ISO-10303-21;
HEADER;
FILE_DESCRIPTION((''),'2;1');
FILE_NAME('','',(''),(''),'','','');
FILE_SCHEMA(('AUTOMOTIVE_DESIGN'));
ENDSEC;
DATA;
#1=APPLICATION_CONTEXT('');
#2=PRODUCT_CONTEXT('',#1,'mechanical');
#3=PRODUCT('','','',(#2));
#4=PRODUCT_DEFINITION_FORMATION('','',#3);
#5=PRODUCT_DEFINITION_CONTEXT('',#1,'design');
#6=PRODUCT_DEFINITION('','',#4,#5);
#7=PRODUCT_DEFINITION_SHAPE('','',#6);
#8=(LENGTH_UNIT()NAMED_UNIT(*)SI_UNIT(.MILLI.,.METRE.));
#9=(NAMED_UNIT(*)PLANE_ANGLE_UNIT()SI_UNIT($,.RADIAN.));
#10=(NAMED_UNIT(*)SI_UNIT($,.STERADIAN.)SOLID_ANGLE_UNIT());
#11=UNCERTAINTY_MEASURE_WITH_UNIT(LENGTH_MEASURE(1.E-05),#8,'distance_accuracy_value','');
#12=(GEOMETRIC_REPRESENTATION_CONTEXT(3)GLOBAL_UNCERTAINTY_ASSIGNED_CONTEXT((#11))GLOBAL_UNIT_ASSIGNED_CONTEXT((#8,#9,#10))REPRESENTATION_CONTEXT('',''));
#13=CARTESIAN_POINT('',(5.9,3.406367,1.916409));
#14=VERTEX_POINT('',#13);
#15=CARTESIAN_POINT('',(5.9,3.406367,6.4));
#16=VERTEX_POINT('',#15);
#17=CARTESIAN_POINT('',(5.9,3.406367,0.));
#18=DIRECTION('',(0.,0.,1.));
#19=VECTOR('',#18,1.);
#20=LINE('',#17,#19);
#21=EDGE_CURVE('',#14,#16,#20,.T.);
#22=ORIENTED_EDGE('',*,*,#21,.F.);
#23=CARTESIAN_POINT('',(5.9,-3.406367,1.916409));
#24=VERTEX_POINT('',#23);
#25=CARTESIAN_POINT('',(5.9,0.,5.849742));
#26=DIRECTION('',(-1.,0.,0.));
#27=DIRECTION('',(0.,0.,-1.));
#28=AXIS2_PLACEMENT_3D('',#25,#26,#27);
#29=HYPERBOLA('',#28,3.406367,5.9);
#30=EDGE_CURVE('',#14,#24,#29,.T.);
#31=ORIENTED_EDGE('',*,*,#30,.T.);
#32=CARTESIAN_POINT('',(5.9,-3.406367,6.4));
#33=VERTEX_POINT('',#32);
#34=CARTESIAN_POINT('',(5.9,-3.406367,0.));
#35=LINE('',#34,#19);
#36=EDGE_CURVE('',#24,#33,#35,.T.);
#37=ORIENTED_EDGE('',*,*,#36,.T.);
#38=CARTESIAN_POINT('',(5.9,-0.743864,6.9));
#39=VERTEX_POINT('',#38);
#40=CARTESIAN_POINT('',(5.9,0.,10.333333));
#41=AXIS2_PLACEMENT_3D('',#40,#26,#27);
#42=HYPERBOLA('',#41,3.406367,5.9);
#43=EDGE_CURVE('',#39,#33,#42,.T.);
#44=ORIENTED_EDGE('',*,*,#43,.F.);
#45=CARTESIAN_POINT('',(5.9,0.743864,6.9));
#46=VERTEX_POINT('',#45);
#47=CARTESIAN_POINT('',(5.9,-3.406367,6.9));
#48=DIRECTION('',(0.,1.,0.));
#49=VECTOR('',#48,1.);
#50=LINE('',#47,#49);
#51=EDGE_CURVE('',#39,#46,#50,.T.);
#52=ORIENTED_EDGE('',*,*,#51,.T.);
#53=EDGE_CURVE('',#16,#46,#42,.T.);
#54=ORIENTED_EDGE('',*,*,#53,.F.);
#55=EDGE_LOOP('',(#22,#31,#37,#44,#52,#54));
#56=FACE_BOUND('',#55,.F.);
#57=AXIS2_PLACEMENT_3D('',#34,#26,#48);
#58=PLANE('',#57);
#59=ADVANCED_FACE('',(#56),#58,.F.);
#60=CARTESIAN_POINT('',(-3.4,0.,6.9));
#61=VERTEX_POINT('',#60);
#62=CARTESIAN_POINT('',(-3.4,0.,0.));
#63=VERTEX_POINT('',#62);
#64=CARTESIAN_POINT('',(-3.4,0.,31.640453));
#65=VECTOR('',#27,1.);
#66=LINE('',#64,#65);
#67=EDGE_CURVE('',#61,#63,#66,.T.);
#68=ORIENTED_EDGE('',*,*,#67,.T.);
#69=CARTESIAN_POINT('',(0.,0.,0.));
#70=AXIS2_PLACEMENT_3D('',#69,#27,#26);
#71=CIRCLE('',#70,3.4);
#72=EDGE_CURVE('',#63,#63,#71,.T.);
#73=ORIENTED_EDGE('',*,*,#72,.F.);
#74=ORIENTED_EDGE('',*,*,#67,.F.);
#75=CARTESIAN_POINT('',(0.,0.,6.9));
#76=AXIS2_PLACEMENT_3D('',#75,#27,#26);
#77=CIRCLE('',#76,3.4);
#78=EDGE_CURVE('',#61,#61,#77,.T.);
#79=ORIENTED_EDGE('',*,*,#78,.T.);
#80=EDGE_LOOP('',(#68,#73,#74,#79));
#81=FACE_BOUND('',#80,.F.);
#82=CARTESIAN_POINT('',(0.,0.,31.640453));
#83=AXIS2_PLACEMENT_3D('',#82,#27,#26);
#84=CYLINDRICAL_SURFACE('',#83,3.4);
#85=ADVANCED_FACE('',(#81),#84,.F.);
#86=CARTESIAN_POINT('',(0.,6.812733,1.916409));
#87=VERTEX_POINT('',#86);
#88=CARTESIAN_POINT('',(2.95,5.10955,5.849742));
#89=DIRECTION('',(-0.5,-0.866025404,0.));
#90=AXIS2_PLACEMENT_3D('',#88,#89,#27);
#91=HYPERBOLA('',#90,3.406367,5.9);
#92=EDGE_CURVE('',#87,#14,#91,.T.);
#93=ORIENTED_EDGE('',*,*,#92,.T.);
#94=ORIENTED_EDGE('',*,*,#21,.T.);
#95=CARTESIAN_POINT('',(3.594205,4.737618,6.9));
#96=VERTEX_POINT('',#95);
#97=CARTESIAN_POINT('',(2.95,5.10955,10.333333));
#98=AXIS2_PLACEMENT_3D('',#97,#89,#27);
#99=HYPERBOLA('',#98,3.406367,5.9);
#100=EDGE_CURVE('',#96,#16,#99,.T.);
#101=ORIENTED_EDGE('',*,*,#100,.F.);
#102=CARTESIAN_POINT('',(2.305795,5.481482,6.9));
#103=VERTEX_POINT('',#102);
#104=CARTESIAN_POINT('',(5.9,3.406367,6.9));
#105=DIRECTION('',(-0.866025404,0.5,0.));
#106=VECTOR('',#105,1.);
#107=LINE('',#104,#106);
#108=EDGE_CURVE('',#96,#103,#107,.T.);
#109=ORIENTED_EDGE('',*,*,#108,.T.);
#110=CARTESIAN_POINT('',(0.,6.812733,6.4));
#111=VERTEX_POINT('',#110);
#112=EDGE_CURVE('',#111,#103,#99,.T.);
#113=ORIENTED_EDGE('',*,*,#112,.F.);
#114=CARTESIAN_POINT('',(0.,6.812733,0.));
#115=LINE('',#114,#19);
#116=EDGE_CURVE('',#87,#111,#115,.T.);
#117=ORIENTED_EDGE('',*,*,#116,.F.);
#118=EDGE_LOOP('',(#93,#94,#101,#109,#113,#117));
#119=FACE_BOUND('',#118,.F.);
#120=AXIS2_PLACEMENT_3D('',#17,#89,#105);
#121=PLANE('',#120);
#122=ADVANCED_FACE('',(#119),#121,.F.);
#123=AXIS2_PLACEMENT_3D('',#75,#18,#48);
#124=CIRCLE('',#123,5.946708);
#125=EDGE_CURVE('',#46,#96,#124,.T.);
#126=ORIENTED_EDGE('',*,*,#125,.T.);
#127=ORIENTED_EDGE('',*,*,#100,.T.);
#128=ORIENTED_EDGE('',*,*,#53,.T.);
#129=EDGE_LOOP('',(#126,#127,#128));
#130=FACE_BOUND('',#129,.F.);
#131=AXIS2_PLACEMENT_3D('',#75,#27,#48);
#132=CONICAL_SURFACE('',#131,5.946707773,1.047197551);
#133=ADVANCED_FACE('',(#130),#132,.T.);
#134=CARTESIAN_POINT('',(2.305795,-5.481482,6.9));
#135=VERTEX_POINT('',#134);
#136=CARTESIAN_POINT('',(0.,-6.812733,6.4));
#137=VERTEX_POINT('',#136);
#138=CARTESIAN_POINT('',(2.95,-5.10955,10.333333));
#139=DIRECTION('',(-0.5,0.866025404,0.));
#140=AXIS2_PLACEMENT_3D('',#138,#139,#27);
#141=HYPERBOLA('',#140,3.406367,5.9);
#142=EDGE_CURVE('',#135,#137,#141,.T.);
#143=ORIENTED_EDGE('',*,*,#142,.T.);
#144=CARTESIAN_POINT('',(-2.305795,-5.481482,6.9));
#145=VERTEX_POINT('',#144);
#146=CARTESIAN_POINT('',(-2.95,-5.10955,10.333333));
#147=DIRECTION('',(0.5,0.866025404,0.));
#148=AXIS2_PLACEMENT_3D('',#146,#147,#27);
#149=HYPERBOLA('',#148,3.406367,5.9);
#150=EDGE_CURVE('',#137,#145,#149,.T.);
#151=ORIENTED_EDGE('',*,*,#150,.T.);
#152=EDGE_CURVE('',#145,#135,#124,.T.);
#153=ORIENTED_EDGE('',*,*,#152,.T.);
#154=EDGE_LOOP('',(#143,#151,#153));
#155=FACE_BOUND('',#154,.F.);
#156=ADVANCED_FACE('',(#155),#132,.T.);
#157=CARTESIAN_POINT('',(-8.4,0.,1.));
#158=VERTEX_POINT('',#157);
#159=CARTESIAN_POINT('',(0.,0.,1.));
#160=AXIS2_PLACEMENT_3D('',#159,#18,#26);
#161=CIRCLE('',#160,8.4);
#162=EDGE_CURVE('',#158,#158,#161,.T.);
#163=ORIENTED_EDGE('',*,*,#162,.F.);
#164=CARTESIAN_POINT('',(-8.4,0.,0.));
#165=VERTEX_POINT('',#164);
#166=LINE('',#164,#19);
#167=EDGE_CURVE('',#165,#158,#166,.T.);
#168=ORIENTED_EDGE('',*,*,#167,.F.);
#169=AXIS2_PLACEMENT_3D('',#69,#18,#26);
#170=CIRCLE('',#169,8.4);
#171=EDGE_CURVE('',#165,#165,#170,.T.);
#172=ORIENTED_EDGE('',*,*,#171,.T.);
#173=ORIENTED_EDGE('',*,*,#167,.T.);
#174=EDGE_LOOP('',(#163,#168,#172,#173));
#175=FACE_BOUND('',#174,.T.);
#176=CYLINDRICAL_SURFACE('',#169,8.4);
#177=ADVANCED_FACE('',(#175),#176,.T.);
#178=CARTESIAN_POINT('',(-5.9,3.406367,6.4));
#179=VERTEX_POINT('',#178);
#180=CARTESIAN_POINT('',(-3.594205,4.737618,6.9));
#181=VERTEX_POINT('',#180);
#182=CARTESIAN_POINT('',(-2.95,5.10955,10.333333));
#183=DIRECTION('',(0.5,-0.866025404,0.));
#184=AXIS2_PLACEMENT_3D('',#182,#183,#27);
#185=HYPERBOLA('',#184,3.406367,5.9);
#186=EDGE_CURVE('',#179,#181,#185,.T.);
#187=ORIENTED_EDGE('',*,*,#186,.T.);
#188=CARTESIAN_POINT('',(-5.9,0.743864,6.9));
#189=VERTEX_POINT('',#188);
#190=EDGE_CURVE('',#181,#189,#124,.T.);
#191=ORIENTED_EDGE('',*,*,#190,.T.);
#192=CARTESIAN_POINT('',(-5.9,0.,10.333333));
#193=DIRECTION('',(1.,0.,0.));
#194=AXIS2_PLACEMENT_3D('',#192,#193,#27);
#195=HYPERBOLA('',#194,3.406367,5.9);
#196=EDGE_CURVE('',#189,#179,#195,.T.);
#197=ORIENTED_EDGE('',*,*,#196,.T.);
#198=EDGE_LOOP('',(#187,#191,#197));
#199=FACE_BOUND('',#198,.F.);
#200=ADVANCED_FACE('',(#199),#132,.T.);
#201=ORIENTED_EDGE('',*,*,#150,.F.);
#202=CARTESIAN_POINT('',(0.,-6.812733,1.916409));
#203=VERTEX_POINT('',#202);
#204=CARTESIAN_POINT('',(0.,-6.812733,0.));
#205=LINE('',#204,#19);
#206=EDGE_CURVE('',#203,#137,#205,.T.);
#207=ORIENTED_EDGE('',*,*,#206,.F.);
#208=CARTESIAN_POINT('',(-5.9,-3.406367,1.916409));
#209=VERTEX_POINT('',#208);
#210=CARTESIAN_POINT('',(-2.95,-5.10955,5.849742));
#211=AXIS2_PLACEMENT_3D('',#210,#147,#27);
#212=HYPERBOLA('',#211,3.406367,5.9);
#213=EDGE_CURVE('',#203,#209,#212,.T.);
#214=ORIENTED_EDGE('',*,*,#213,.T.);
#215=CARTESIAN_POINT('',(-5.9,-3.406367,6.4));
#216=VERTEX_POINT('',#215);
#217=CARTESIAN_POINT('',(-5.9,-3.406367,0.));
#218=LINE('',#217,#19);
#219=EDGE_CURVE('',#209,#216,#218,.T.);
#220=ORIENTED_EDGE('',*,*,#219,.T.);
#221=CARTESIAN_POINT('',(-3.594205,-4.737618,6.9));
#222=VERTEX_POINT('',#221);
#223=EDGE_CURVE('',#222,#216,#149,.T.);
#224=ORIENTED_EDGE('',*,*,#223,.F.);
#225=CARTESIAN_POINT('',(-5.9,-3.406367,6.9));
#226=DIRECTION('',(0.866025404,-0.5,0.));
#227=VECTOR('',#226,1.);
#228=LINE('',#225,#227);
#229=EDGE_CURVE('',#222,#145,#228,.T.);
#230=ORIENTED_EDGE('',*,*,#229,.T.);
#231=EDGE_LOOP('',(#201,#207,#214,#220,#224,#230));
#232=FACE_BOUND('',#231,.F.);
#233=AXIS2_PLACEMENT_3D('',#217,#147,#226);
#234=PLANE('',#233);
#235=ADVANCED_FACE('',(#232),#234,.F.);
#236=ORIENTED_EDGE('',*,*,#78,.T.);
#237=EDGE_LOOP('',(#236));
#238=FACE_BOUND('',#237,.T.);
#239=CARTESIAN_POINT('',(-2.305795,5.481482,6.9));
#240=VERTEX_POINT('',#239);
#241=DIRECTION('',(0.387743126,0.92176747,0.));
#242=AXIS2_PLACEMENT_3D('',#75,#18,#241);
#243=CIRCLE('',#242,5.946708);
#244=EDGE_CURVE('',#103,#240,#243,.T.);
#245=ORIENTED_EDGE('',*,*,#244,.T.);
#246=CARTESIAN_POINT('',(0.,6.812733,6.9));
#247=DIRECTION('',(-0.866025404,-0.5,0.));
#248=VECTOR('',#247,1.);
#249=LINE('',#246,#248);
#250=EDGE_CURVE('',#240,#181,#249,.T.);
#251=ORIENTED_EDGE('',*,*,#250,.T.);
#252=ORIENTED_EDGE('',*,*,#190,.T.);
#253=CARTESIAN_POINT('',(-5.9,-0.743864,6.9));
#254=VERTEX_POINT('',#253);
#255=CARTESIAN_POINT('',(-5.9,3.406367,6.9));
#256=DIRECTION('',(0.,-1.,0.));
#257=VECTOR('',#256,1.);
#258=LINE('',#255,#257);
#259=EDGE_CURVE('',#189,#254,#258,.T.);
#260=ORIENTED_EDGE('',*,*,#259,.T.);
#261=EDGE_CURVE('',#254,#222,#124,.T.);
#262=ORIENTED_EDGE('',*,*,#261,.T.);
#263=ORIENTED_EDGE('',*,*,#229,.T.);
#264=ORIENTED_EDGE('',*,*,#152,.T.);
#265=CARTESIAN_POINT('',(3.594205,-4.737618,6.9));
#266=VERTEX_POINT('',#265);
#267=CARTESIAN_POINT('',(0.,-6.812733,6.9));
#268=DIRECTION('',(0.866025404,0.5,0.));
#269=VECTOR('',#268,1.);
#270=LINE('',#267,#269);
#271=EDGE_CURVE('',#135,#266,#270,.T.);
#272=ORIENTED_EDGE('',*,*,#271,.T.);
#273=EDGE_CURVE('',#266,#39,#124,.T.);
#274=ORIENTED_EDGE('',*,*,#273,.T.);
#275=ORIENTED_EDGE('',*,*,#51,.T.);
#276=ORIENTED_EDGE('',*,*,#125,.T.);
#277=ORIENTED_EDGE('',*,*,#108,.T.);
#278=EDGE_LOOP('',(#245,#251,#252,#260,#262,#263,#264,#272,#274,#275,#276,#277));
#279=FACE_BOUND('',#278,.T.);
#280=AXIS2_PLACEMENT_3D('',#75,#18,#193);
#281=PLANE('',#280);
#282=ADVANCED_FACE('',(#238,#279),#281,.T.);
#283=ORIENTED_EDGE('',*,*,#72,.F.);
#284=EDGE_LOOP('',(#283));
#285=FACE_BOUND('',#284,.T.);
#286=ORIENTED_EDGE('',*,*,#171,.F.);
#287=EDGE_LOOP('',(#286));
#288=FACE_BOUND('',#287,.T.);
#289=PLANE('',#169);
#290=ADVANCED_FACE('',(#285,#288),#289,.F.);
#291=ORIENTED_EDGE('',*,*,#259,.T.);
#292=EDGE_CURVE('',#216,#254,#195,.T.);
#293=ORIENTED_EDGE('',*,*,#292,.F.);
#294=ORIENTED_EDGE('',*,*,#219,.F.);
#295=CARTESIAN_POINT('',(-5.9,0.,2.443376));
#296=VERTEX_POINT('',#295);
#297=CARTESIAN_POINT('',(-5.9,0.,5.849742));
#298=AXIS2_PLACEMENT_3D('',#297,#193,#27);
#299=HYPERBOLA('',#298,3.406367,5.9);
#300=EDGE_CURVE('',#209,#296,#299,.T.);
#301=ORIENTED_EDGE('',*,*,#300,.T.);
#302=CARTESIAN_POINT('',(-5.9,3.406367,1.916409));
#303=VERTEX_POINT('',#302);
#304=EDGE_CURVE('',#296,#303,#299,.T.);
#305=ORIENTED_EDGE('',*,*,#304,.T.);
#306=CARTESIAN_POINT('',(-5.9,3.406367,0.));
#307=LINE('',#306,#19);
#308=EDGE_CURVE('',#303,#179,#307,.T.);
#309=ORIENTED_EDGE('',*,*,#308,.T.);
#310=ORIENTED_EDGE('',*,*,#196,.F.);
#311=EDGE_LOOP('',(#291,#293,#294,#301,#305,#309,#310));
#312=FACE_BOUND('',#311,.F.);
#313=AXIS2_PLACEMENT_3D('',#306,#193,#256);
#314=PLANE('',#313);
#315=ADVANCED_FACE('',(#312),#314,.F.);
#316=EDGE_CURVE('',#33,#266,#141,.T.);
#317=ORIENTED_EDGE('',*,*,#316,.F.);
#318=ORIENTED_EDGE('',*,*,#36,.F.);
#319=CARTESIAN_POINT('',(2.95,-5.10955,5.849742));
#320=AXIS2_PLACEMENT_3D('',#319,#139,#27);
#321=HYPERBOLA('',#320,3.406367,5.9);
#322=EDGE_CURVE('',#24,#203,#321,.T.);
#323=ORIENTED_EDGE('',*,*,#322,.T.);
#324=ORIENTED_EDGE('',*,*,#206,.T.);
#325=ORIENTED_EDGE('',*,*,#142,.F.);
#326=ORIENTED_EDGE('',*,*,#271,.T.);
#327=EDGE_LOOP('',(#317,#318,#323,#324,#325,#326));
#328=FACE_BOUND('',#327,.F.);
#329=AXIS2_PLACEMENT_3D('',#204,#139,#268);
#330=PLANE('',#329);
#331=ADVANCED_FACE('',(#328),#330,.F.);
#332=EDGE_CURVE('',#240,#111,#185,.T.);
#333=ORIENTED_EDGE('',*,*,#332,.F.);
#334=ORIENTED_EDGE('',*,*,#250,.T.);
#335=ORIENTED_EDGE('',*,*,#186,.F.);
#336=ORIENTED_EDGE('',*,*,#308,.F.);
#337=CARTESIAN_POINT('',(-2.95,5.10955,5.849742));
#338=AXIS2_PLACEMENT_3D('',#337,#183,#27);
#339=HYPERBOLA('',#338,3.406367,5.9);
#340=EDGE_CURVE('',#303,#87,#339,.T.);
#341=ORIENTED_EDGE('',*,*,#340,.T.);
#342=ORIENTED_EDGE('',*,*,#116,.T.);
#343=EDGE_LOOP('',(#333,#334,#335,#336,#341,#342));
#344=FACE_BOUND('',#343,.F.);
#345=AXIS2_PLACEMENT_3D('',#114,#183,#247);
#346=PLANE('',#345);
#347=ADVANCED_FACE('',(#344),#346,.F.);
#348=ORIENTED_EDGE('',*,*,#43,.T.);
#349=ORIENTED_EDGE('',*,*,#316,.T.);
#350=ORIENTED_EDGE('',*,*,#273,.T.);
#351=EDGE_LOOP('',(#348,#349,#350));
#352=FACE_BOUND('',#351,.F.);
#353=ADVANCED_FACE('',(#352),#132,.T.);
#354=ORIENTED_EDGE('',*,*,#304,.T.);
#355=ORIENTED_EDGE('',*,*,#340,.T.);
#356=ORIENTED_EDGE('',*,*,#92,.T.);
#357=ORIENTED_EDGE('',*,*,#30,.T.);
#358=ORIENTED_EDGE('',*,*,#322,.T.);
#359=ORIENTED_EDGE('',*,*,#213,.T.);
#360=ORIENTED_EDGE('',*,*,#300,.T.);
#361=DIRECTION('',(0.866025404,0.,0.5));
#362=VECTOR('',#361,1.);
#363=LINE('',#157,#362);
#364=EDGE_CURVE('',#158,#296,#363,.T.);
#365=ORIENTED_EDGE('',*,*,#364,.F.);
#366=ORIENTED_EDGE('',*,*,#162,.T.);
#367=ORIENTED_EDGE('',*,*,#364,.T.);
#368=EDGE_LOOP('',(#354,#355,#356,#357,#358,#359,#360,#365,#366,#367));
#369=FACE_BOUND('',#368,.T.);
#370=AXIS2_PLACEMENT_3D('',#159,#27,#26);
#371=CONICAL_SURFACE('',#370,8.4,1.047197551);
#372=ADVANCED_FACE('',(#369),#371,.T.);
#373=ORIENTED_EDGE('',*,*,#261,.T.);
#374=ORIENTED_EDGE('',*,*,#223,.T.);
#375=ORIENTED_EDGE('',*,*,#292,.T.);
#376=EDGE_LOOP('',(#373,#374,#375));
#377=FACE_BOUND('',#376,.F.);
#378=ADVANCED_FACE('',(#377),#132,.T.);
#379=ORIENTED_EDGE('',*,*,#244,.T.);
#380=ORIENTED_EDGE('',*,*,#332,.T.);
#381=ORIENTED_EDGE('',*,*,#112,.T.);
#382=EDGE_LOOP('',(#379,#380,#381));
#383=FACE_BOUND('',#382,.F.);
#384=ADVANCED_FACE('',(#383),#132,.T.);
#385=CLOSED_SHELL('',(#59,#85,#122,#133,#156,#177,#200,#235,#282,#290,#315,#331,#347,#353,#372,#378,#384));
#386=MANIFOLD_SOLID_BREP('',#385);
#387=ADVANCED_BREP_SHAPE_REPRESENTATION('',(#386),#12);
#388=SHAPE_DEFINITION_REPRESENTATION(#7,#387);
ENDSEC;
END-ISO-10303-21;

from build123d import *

# Parameters (mm, degrees)
BOSS_EXTRU_1_DEPTH = 6.9
TROU_TARAUD_M81_D  = 6.8


with BuildPart() as part:
    # Esquisse1 → Boss.-Extru.1 (new body)
    with BuildSketch(Plane.XY):
        Polygon((-5.9, -3.406366588), (0, -6.812733176), (5.9, -3.406366588), (5.9, 3.406366588), (0, 6.812733176), (-5.9, 3.406366588), align=None)
    extrude(amount=BOSS_EXTRU_1_DEPTH)

    # Esquisse2 → Révolution1 (revolve)
    with BuildSketch(Plane(origin=(0, 0, 0), x_dir=(0, 0, -1), z_dir=(1, 0, 0)), mode=Mode.PRIVATE) as r_volution1_sk:
        Polygon((-1, 8.4), (-2.5, 5.801923789), (-2.5, 0), (0, 0), (0, 8.4), align=None)
    revolve(r_volution1_sk.sketch.rotate(Axis((0, 0, 0), (0, 0, 1)), 90), axis=Axis((0, 0, 0), (0, 0, 1)))

    # Esquisse3 → Enlèvement de matière-Révolution1 (revolve, cut)
    with BuildSketch(Plane(origin=(0, 0, 0), x_dir=(0, 0, -1), z_dir=(1, 0, 0))):
        Polygon((-6.9, 6.812733176), (-6.9, 5.946707773), (-6.4, 6.812733176), align=None)
    revolve(axis=Axis((0, 0, 0), (0, 0, 1)), mode=Mode.SUBTRACT)

    # Trou taraudé M81 (through all)
    with Locations(Plane.XY.offset(6.9)):
        with Locations((0, 0)):
            Hole(TROU_TARAUD_M81_D / 2)


solid = part.part
